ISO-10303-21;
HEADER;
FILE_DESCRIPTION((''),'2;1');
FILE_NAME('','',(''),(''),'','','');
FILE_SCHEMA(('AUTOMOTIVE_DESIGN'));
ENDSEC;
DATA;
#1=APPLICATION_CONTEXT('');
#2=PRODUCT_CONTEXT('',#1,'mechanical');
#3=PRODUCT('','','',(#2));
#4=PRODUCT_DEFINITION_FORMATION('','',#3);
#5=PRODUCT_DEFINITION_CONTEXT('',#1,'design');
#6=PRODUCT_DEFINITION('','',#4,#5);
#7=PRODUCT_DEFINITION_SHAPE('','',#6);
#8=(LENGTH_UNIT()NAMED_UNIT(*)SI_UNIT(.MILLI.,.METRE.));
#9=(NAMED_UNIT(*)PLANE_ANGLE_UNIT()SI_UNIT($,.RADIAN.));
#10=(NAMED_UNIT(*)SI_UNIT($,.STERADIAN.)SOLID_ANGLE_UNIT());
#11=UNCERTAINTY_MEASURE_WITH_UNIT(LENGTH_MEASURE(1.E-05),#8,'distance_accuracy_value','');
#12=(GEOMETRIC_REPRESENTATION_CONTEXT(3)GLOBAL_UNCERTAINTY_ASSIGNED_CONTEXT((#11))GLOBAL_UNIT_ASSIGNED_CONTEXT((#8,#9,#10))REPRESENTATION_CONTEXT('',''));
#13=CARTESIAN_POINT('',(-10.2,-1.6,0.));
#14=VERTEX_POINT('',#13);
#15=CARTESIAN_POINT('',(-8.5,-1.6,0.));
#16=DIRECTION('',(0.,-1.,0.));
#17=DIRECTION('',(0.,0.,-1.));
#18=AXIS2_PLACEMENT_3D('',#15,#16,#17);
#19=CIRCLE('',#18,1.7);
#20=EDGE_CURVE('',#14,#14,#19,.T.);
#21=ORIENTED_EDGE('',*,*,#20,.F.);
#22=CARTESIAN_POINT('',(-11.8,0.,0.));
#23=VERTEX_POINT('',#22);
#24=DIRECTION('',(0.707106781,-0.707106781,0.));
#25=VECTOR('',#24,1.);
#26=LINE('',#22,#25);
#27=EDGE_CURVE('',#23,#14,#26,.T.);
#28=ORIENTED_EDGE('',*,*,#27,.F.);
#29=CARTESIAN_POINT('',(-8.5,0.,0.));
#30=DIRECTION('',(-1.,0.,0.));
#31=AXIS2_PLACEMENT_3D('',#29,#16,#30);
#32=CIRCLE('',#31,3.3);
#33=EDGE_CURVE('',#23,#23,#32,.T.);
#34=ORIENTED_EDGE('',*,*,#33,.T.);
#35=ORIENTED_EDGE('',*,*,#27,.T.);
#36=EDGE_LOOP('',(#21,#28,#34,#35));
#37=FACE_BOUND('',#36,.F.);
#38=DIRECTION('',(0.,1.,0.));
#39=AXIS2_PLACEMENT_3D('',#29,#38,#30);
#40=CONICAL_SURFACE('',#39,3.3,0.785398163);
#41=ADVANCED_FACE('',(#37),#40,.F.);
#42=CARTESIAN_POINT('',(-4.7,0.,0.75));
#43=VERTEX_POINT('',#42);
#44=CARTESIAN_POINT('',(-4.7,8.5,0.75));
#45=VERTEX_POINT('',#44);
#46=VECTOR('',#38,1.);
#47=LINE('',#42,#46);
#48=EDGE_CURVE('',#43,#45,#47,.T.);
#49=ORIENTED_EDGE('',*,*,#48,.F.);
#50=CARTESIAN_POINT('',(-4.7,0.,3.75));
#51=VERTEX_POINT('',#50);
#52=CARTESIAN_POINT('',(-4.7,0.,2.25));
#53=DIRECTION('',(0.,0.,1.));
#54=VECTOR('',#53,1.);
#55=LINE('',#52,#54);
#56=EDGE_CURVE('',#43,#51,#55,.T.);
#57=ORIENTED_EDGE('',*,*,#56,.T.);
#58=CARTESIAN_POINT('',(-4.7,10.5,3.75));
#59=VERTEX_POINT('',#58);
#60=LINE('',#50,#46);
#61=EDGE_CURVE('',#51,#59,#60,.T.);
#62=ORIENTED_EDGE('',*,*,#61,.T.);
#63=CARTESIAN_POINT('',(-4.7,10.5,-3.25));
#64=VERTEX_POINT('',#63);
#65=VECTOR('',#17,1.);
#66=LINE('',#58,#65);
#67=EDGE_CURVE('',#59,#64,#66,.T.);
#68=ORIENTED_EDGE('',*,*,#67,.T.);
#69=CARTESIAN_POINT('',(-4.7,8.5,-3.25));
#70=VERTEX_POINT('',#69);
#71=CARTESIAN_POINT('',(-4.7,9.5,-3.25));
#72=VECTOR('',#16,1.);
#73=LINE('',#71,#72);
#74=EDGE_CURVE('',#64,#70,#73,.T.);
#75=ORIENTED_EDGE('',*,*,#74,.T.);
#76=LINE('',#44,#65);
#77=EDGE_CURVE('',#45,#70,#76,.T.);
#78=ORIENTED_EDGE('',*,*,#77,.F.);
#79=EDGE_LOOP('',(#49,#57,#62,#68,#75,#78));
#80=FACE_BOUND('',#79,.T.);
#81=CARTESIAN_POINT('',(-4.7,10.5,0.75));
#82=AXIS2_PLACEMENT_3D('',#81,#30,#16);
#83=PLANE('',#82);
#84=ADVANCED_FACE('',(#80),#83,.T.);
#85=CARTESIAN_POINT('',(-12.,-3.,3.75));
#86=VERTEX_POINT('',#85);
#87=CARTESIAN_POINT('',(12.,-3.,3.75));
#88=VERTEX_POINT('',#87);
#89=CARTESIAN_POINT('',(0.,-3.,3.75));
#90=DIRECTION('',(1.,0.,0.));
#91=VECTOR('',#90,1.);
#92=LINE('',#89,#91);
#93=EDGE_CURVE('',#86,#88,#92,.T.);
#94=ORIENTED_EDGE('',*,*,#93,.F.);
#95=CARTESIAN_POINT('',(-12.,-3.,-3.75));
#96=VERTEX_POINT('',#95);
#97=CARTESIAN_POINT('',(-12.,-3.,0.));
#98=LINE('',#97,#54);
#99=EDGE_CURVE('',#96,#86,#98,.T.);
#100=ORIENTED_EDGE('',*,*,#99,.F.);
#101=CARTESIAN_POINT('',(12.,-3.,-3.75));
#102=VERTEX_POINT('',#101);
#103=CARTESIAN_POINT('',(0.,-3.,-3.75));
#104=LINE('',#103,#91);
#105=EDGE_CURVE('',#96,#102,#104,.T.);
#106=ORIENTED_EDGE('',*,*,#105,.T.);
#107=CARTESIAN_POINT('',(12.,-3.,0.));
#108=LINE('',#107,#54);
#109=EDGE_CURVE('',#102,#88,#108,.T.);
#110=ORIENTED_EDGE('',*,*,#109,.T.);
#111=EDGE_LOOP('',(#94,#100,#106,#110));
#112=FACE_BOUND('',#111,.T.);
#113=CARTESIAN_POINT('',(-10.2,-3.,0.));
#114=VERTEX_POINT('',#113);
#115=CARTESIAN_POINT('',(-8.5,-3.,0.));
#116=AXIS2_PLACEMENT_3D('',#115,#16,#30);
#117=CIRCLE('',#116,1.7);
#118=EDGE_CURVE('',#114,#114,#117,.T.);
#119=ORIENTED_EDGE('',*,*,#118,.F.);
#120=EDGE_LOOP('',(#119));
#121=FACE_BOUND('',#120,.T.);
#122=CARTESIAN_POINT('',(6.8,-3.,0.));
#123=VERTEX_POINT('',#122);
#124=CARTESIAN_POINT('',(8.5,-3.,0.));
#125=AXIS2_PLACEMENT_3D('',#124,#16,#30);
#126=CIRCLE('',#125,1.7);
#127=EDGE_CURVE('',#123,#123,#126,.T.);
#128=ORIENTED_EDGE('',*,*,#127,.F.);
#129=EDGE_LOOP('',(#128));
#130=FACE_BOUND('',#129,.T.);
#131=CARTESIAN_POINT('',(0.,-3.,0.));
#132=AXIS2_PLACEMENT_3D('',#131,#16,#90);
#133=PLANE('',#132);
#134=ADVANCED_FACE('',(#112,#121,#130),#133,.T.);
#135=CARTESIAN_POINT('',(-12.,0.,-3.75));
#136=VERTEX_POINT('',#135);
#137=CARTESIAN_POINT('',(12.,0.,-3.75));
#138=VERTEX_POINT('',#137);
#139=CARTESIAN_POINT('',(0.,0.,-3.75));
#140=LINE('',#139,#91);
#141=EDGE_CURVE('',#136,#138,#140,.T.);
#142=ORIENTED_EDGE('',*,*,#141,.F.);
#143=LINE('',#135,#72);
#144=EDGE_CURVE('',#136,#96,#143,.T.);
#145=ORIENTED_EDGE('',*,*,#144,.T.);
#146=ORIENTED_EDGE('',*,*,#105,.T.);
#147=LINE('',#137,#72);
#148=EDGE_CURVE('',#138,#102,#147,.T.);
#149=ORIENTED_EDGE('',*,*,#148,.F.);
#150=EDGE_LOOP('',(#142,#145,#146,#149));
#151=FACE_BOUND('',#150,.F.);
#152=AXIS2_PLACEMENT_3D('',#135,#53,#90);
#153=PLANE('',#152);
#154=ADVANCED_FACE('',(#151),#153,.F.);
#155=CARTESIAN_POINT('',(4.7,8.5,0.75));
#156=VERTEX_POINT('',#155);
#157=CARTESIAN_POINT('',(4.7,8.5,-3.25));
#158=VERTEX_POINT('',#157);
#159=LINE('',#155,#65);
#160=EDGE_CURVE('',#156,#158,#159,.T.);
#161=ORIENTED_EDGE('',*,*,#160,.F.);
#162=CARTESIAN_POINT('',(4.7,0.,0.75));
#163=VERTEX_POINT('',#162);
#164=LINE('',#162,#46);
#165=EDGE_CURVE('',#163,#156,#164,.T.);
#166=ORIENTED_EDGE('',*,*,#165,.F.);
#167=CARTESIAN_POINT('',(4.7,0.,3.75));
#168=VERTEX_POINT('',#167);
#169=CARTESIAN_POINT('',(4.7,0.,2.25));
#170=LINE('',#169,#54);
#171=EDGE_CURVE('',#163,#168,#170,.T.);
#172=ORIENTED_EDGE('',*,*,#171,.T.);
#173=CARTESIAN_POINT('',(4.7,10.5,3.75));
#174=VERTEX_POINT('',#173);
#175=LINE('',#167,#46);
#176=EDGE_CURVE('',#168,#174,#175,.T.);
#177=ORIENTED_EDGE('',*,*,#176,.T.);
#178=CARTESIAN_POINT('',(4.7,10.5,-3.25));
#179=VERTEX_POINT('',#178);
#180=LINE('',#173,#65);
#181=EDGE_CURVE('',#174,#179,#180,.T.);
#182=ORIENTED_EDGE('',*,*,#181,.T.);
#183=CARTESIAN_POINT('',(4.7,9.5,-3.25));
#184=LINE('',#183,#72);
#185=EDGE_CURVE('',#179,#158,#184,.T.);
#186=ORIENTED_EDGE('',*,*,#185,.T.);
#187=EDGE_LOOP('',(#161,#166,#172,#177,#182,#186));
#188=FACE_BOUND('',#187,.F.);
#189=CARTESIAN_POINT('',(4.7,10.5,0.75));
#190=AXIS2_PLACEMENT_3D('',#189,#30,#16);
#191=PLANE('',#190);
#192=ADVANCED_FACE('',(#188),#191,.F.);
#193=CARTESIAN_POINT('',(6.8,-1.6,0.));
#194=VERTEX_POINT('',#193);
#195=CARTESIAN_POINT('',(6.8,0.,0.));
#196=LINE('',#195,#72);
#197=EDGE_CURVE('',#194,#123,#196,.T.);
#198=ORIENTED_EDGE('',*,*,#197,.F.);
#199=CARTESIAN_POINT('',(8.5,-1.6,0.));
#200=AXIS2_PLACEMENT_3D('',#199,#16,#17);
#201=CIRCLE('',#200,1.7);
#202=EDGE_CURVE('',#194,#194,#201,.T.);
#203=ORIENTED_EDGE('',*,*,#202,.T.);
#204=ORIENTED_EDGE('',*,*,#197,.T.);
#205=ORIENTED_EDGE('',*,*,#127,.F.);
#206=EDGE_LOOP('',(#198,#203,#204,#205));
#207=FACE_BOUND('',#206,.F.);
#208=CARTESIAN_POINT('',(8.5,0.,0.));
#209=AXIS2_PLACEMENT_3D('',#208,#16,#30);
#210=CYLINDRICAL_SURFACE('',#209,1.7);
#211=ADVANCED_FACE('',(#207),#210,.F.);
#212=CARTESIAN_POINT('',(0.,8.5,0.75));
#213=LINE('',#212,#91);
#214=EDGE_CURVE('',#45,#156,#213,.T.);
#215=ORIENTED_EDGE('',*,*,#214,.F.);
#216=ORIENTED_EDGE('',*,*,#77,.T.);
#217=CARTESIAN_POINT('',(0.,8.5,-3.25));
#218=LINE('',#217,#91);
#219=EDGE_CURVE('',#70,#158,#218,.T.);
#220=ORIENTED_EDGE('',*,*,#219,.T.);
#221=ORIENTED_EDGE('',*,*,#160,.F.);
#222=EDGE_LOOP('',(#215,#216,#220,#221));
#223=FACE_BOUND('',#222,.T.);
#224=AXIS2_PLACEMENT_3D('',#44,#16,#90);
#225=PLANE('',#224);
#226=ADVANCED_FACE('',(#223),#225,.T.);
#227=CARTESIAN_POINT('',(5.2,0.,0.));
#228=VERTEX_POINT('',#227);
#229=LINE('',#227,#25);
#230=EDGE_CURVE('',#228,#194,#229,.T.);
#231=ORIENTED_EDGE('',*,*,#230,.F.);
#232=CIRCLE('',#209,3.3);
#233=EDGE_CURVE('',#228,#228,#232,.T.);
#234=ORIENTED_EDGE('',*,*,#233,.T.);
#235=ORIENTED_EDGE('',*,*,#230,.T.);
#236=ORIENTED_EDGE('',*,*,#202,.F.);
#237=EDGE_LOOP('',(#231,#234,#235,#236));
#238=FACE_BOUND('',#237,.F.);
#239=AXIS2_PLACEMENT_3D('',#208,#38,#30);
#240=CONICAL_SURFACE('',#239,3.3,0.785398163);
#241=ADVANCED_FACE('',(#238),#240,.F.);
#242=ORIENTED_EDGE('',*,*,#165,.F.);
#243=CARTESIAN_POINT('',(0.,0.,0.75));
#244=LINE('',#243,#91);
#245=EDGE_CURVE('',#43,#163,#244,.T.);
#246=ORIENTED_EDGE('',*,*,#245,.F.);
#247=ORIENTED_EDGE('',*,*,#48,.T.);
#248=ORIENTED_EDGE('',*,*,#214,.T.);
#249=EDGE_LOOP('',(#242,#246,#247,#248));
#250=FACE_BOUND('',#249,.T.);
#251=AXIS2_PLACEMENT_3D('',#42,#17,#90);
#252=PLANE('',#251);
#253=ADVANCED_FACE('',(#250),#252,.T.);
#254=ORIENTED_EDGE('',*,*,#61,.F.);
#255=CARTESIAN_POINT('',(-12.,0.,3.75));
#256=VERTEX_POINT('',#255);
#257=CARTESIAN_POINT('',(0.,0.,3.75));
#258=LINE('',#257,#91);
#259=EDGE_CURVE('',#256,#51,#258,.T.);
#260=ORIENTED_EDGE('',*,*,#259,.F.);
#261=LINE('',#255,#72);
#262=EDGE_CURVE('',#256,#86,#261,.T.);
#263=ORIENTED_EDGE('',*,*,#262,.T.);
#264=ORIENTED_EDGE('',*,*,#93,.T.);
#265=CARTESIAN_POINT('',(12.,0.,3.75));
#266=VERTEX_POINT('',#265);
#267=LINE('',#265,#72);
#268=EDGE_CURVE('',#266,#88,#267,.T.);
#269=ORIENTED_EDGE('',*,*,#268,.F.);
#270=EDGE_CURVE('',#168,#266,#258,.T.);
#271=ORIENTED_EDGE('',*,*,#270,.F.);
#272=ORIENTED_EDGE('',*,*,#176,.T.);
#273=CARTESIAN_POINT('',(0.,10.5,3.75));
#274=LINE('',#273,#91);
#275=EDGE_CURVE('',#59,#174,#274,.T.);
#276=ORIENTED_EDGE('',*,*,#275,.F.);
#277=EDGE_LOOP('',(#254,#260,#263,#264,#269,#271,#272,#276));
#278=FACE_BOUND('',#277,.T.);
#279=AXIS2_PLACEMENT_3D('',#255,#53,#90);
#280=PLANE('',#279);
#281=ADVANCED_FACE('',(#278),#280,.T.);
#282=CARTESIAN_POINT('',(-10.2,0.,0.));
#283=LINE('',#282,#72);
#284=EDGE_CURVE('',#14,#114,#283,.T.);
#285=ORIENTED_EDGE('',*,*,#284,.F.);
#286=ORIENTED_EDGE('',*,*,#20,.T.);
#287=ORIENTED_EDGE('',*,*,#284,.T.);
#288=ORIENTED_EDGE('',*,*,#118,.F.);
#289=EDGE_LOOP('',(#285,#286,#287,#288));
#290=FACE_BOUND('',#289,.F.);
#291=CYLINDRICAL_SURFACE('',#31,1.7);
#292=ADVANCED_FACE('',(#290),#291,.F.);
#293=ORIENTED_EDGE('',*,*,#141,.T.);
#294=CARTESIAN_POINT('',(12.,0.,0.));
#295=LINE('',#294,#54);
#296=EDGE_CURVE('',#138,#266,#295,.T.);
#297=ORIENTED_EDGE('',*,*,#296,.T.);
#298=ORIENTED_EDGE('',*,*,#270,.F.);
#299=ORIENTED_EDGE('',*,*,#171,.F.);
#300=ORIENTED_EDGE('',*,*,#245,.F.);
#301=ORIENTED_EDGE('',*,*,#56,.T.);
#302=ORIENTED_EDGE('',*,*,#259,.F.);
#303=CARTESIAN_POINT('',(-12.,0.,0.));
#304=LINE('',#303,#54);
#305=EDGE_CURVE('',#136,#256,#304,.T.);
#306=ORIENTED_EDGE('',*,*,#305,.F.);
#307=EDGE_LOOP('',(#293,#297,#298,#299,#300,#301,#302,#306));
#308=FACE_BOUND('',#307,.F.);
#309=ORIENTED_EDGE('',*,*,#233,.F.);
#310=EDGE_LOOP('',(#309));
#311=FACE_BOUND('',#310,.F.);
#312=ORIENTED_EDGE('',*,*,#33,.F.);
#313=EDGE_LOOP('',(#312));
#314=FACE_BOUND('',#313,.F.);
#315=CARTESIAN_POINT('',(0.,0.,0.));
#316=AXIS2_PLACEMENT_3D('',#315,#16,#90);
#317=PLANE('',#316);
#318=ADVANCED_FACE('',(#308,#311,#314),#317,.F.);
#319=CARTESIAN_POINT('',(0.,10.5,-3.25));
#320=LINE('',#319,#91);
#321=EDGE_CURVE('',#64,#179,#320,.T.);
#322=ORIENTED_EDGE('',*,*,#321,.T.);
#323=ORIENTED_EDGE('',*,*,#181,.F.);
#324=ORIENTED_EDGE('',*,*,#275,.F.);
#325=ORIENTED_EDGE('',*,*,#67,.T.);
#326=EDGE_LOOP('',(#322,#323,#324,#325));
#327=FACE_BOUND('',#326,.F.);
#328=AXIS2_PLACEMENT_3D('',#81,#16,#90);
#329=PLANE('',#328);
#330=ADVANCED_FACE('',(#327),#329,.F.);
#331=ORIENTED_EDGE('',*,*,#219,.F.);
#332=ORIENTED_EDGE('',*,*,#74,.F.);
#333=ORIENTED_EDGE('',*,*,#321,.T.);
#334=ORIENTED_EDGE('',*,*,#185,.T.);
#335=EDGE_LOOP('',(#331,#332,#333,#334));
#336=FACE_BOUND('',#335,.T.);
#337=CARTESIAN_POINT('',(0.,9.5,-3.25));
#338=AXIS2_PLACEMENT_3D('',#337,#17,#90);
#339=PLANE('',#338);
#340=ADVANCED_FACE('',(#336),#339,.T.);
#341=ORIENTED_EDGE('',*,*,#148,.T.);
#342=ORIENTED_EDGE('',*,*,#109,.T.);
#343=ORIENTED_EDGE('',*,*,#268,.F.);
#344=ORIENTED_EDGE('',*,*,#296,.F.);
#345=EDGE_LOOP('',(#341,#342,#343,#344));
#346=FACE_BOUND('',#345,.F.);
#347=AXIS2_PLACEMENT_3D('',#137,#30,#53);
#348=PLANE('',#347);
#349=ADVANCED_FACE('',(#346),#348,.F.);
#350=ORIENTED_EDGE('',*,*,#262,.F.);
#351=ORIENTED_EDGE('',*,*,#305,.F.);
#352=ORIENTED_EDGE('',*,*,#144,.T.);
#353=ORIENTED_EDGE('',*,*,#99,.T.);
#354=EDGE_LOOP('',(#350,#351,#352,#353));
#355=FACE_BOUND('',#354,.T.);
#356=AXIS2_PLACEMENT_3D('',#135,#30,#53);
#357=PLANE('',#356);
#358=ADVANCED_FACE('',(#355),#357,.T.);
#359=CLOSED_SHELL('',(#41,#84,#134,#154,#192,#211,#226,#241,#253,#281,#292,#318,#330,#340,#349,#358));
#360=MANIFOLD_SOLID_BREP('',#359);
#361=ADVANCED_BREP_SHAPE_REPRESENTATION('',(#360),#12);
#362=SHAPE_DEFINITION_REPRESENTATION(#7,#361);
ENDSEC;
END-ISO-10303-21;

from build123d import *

# Parameters (mm, degrees)
F0_W           = 24
F0_H           = 7.5
F1_DEPTH       = 3
F2_D           = 3.4
F2_CSINK_D     = 6.6
F2_CSINK_ANGLE = 90
F3_W           = 9.4
F3_H           = 3
F4_DEPTH       = 10.5
F5_W           = 9.4
F5_H           = 2
F6_DEPTH       = 4


with BuildPart() as f1:
    # F0 (on Front) → F1 (new body)
    with BuildSketch(Plane.XZ):
        Rectangle(F0_W, F0_H)
    extrude(amount=F1_DEPTH)

    # F2 (through all)
    with Locations(Plane(origin=(0, 0, 0), x_dir=(1, 0, 0), z_dir=(0, 1, 0))):
        with Locations((-8.5, 0), (8.5, 0)):
            CounterSinkHole(F2_D / 2, F2_CSINK_D / 2, counter_sink_angle=F2_CSINK_ANGLE)

    # F3 (on face) → F4 (join)
    with BuildSketch(Plane.XZ):
        with Locations((0, 2.25)):
            Rectangle(F3_W, F3_H)
    extrude(amount=-F4_DEPTH)

    # F5 (on face) → F6 (join)
    with BuildSketch(Plane(origin=(0, 0, 0.75), x_dir=(1, 0, 0), z_dir=(0, 0, -1))):
        with Locations((0, -9.5)):
            Rectangle(F5_W, F5_H)
    extrude(amount=F6_DEPTH)


solid = f1.part
